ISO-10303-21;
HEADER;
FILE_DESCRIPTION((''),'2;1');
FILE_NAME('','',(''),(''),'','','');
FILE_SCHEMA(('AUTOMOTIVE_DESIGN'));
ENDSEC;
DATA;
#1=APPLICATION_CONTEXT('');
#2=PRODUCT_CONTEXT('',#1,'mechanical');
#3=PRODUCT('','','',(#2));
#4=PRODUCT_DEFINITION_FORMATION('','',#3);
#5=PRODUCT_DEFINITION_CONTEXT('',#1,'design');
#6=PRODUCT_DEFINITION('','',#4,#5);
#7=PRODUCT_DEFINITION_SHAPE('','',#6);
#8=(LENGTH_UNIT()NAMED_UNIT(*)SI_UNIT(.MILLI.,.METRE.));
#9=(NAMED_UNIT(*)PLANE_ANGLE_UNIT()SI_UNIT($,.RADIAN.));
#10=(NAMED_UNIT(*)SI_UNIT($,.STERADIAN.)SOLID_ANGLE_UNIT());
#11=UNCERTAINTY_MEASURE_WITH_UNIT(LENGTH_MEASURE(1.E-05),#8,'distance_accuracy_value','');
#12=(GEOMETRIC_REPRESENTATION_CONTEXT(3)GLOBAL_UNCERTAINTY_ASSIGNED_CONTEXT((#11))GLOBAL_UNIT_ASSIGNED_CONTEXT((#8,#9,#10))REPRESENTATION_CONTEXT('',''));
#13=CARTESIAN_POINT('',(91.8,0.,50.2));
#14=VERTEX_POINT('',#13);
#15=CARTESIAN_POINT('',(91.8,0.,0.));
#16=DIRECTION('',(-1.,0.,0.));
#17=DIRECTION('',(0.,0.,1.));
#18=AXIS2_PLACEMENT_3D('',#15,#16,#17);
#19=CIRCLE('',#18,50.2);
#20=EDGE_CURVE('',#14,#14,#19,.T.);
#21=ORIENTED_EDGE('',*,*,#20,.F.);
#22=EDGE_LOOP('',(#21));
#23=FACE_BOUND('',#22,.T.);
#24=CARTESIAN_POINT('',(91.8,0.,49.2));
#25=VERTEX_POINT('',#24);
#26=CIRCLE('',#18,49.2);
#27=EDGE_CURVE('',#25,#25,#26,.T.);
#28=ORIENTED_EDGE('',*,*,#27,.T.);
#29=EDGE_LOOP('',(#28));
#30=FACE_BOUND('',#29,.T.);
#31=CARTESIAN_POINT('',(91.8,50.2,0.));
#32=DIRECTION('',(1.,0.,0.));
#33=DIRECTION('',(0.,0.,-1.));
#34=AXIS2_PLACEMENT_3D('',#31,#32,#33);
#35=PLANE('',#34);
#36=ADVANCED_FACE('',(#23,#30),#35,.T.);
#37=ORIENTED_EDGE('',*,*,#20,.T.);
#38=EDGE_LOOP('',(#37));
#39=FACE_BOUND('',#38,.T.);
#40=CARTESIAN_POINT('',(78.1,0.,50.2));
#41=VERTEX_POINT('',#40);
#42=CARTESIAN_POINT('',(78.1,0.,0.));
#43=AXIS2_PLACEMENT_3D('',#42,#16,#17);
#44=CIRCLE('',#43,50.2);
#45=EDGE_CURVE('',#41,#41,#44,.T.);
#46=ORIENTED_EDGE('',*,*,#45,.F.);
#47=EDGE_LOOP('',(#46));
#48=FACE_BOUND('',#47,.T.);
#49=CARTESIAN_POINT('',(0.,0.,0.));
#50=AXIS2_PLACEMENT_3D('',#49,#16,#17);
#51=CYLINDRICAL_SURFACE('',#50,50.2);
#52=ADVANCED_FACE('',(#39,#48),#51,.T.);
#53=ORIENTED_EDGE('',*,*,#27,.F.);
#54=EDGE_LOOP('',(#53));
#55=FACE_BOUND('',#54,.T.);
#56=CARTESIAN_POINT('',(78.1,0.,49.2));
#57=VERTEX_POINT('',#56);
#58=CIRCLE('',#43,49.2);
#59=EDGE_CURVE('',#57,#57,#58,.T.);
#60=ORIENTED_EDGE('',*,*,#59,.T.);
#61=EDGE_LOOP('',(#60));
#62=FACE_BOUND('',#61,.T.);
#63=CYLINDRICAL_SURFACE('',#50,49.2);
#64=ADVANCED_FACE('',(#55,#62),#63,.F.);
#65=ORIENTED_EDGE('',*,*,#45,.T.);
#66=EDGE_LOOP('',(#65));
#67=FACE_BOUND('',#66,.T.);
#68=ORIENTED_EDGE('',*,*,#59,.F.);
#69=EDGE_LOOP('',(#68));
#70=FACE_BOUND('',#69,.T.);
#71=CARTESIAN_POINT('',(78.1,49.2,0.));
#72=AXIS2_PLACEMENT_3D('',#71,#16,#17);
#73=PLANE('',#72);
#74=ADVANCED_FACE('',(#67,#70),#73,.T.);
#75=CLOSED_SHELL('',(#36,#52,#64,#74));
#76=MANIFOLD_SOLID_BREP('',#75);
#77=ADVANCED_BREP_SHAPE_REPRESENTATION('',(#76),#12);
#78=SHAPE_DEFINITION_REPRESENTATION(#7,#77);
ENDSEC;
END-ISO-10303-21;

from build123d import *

# Parameters (mm, degrees)
ESQUISSE1_W = 13.7
ESQUISSE1_H = 1


with BuildPart() as part:
    # Esquisse1 → Base-Révol.-Mince (revolve)
    with BuildSketch(Plane.XY, mode=Mode.PRIVATE) as base_r_vol_mince_sk:
        with Locations((84.95, 49.7)):
            Rectangle(ESQUISSE1_W, ESQUISSE1_H)
    revolve(base_r_vol_mince_sk.sketch.rotate(Axis((0, 0, 0), (1, 0, 0)), 90), axis=Axis((0, 0, 0), (1, 0, 0)))


solid = part.part
